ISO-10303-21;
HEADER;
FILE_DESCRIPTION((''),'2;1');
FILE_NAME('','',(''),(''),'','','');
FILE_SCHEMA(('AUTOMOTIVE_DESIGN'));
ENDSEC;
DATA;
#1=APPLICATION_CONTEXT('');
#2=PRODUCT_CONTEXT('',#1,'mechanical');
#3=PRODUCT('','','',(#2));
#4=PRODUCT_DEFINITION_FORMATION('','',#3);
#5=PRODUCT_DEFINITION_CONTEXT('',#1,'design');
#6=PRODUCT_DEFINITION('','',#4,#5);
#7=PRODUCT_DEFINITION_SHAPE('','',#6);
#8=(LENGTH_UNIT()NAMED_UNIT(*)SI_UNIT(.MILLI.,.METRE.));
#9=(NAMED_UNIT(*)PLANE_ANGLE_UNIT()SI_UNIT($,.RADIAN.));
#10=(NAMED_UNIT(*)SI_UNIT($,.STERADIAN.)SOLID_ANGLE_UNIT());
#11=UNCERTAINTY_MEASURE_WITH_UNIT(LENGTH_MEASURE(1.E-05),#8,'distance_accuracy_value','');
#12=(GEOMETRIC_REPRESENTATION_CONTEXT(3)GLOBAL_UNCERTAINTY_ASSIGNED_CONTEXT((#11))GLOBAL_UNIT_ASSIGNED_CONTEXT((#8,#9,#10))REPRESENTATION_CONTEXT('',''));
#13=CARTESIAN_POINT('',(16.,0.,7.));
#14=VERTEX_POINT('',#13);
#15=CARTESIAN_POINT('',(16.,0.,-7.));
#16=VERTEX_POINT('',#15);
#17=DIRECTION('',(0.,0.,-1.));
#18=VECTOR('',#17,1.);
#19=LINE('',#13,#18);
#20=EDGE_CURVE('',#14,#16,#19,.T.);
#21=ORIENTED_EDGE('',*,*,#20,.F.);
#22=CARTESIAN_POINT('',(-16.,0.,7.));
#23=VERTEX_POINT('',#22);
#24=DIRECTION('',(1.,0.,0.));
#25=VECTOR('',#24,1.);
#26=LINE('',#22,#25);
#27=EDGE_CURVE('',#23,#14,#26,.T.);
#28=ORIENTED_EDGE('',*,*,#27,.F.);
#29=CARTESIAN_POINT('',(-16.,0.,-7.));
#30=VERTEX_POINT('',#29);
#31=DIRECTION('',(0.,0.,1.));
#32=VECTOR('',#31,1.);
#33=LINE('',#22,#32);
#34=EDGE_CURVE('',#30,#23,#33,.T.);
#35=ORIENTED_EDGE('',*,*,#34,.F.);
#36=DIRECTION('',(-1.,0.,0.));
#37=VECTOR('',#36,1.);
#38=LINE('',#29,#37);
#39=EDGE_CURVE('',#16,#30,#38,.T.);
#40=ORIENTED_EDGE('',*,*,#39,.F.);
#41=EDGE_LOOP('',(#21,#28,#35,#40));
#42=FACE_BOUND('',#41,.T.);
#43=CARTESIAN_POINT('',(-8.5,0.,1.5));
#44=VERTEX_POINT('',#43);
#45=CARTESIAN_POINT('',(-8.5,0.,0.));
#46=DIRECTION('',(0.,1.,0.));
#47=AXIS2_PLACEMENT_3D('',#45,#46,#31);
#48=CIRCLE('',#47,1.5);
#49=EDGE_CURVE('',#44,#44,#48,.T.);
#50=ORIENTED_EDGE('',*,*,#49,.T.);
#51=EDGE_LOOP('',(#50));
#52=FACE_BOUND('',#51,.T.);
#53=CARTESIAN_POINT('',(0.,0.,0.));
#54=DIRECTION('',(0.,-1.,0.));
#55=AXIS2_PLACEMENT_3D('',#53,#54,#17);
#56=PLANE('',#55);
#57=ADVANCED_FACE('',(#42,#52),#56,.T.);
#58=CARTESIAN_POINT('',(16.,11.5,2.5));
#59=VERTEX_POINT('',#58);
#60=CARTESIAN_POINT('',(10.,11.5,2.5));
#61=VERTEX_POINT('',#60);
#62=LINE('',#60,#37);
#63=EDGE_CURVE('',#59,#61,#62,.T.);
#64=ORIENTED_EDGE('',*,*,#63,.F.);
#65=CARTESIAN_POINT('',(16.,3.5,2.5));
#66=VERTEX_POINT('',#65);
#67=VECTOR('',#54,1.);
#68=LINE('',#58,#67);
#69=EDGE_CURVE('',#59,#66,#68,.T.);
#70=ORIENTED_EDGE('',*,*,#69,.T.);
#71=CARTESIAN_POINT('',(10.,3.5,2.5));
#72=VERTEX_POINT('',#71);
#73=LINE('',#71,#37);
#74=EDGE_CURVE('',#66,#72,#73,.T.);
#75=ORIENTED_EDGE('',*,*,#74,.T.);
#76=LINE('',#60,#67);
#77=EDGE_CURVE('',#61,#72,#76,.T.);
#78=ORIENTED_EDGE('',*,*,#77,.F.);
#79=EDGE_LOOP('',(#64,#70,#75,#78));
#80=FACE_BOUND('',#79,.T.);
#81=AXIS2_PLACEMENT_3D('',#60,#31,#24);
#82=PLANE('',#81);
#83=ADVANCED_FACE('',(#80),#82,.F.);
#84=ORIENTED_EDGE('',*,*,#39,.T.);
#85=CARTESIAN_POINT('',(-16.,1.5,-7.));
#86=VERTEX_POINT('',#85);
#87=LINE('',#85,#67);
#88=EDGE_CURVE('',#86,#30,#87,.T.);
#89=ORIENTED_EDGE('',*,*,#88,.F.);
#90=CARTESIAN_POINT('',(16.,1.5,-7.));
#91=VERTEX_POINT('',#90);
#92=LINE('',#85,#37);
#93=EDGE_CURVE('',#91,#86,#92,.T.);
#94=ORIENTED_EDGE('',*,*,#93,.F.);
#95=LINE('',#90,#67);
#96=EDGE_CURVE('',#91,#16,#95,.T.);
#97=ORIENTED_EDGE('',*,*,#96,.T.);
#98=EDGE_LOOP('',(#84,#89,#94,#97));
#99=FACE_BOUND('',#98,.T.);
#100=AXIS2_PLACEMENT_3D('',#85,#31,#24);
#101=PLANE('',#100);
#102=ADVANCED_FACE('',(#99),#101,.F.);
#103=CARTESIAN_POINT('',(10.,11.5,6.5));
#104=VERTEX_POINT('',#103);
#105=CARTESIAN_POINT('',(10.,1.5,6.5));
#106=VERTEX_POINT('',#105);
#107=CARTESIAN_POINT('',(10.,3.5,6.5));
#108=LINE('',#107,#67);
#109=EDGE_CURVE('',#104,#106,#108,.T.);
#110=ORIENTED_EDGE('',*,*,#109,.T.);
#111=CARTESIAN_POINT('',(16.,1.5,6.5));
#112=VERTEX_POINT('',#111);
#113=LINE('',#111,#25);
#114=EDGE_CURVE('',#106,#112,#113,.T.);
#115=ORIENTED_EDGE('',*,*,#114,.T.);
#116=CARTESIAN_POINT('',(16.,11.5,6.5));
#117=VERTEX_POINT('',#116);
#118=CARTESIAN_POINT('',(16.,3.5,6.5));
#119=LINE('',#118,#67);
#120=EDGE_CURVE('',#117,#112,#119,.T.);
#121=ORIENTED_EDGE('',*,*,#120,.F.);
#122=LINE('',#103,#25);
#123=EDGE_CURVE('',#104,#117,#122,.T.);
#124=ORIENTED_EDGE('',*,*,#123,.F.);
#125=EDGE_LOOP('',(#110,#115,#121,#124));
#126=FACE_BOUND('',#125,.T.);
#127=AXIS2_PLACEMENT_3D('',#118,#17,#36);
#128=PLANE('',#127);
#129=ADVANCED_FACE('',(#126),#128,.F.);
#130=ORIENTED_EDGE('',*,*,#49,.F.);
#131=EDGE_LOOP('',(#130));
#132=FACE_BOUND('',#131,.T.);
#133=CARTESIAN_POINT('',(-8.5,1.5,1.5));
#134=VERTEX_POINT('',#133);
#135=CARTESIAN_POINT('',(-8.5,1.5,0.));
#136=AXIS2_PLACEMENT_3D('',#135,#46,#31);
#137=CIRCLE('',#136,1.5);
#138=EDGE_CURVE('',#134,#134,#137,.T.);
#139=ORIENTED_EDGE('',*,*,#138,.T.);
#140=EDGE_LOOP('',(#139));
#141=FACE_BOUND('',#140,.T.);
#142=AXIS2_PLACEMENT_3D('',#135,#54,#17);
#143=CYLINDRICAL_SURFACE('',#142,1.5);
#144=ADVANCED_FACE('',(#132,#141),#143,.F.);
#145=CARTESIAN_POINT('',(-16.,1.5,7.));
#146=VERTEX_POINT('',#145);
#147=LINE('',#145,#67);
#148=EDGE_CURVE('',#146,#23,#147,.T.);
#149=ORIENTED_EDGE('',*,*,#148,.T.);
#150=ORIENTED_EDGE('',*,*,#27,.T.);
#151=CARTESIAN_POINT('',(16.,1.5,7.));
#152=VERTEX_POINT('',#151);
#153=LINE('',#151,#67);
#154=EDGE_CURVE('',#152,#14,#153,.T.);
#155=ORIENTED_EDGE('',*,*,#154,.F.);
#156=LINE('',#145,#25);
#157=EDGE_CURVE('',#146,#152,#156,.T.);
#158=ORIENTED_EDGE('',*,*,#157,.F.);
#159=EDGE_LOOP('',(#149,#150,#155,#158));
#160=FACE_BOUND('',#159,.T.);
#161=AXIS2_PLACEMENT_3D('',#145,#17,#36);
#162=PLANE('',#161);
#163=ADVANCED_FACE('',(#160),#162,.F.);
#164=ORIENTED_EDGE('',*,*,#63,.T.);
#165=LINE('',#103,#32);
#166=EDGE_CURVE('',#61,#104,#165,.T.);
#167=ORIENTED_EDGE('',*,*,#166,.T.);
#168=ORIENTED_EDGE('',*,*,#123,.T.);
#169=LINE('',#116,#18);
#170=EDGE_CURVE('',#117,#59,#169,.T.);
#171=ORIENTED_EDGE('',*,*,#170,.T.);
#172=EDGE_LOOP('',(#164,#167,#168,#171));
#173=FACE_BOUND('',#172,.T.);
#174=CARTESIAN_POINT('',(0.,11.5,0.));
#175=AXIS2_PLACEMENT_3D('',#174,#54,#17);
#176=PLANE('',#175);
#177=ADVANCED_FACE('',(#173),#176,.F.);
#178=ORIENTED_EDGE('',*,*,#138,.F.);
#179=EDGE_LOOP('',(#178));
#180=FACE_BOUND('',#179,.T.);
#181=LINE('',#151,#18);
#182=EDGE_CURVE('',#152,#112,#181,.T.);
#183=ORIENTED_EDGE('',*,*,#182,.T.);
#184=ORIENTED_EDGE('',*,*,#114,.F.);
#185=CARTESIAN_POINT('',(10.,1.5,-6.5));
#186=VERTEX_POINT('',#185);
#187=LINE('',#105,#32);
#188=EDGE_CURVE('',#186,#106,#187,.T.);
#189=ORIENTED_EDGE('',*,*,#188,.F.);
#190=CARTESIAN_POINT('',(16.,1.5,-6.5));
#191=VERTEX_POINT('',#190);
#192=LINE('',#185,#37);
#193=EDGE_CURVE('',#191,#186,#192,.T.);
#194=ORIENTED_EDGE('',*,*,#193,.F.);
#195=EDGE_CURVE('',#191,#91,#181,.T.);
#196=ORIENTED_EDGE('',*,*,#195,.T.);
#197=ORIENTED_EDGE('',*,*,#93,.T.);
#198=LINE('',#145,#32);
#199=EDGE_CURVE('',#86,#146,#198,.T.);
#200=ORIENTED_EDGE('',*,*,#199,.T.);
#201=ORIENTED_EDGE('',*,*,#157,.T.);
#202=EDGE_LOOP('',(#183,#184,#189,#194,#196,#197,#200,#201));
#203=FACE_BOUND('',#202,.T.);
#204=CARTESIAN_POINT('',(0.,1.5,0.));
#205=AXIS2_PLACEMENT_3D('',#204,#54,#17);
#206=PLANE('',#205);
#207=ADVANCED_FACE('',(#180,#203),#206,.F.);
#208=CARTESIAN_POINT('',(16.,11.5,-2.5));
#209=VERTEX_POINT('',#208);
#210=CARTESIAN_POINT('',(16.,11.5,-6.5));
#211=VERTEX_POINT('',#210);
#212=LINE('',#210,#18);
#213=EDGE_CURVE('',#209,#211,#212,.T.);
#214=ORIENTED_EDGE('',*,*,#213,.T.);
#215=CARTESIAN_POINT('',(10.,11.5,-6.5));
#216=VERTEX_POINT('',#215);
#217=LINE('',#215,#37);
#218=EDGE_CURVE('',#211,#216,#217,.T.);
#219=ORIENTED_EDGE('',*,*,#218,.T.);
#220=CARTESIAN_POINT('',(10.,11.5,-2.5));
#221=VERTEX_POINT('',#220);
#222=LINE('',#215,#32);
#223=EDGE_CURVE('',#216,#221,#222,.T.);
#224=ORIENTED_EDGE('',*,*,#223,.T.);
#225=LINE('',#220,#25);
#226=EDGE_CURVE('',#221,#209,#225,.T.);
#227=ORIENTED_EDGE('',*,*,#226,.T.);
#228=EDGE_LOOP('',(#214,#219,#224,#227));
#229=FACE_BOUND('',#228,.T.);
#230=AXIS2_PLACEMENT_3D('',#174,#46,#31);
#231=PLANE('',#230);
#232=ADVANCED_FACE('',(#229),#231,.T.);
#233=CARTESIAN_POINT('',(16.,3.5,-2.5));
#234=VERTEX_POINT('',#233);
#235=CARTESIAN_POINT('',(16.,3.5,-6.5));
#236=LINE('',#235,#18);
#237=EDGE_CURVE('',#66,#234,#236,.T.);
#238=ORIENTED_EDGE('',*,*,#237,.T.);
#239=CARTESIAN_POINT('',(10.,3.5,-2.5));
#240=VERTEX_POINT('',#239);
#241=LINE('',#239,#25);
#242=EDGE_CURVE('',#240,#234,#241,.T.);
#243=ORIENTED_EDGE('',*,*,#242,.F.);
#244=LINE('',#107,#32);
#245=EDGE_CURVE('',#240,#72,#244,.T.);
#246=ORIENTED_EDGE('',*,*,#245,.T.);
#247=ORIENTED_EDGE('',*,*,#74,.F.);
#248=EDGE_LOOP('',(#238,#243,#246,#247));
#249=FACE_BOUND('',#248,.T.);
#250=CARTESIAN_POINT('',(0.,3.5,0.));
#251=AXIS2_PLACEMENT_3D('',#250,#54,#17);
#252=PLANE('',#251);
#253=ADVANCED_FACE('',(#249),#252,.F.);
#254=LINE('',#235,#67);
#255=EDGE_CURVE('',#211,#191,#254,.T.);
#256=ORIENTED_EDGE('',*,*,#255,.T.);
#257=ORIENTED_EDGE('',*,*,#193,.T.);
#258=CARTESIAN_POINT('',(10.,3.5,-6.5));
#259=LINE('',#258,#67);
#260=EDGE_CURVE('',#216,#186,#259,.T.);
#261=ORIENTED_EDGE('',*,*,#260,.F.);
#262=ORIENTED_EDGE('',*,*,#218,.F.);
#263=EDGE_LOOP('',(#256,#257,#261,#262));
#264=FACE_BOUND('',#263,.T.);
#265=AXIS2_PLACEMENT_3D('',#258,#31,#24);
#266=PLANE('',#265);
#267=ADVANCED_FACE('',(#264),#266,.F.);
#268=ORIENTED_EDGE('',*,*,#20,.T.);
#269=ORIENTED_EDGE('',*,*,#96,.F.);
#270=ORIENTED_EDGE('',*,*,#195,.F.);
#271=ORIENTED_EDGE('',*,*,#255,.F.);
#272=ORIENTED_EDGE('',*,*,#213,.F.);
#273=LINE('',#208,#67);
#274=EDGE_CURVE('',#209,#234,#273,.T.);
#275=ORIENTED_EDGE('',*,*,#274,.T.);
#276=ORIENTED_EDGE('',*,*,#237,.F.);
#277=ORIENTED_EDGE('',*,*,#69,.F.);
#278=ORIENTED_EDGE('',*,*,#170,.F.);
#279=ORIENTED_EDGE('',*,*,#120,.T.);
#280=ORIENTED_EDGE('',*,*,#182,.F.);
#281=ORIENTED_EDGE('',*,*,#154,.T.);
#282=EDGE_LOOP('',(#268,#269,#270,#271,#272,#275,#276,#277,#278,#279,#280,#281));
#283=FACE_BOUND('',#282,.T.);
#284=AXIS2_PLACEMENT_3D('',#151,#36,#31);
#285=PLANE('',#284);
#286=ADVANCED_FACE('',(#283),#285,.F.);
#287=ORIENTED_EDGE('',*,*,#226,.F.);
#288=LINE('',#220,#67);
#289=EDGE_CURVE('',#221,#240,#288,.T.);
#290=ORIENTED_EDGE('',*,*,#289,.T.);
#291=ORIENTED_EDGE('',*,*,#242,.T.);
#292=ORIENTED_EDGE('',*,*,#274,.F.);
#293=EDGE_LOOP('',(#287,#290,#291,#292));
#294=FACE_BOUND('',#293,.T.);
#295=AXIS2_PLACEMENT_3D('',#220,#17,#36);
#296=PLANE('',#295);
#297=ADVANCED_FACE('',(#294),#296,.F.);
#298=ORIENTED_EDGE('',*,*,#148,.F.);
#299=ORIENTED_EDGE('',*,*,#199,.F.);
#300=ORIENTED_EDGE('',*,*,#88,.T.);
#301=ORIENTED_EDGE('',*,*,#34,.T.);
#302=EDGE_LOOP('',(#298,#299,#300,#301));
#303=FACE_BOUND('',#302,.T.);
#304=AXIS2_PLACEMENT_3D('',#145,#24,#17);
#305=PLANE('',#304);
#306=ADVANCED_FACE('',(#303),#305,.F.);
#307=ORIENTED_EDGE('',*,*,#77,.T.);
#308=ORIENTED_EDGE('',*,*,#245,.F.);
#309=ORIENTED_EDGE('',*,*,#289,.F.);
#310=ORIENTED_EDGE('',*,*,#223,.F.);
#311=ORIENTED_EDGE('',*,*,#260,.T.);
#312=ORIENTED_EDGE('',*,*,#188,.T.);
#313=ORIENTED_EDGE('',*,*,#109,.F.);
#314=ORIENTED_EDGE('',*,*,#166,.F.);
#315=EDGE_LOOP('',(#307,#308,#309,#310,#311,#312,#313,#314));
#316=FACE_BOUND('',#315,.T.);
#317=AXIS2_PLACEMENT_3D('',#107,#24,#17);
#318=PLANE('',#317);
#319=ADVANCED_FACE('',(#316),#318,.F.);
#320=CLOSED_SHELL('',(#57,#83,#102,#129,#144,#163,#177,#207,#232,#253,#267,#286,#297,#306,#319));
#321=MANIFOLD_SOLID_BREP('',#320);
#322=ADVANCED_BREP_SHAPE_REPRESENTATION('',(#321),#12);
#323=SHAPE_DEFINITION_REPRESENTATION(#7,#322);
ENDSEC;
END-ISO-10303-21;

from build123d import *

# Parameters (mm, degrees)
SKETCH1_W           = 32
SKETCH1_H           = 14
SKETCH1_R           = 1.5
BOSS_EXTRUDE1_DEPTH = 1.5
SKETCH2_W           = 6
SKETCH2_H           = 13
BOSS_EXTRUDE2_DEPTH = 2
SKETCH3_W           = 6
SKETCH3_H           = 4
BOSS_EXTRUDE3_DEPTH = 8


with BuildPart() as part:
    # Sketch1 → Boss-Extrude1 (new body)
    with BuildSketch(Plane(origin=(0, 0, 0), x_dir=(1, 0, 0), z_dir=(0, 1, 0))):
        Rectangle(SKETCH1_W, SKETCH1_H)
        with Locations(Location((-8.5, 0, 0), (0, 0, 270))):
            Circle(SKETCH1_R, mode=Mode.SUBTRACT)
    extrude(amount=BOSS_EXTRUDE1_DEPTH)

    # Sketch2 → Boss-Extrude2 (add)
    with BuildSketch(Plane(origin=(0, 1.5, 0), x_dir=(1, 0, 0), z_dir=(0, 1, 0))):
        with Locations((13, 0)):
            Rectangle(SKETCH2_W, SKETCH2_H)
    extrude(amount=BOSS_EXTRUDE2_DEPTH)

    # Sketch3 → Boss-Extrude3 (add)
    with BuildSketch(Plane(origin=(0, 3.5, 0), x_dir=(1, 0, 0), z_dir=(0, 1, 0))):
        with Locations((13, 4.5)):
            Rectangle(SKETCH3_W, SKETCH3_H)
        with Locations((13, -4.5)):
            Rectangle(SKETCH3_W, SKETCH3_H)
    extrude(amount=BOSS_EXTRUDE3_DEPTH)


solid = part.part
